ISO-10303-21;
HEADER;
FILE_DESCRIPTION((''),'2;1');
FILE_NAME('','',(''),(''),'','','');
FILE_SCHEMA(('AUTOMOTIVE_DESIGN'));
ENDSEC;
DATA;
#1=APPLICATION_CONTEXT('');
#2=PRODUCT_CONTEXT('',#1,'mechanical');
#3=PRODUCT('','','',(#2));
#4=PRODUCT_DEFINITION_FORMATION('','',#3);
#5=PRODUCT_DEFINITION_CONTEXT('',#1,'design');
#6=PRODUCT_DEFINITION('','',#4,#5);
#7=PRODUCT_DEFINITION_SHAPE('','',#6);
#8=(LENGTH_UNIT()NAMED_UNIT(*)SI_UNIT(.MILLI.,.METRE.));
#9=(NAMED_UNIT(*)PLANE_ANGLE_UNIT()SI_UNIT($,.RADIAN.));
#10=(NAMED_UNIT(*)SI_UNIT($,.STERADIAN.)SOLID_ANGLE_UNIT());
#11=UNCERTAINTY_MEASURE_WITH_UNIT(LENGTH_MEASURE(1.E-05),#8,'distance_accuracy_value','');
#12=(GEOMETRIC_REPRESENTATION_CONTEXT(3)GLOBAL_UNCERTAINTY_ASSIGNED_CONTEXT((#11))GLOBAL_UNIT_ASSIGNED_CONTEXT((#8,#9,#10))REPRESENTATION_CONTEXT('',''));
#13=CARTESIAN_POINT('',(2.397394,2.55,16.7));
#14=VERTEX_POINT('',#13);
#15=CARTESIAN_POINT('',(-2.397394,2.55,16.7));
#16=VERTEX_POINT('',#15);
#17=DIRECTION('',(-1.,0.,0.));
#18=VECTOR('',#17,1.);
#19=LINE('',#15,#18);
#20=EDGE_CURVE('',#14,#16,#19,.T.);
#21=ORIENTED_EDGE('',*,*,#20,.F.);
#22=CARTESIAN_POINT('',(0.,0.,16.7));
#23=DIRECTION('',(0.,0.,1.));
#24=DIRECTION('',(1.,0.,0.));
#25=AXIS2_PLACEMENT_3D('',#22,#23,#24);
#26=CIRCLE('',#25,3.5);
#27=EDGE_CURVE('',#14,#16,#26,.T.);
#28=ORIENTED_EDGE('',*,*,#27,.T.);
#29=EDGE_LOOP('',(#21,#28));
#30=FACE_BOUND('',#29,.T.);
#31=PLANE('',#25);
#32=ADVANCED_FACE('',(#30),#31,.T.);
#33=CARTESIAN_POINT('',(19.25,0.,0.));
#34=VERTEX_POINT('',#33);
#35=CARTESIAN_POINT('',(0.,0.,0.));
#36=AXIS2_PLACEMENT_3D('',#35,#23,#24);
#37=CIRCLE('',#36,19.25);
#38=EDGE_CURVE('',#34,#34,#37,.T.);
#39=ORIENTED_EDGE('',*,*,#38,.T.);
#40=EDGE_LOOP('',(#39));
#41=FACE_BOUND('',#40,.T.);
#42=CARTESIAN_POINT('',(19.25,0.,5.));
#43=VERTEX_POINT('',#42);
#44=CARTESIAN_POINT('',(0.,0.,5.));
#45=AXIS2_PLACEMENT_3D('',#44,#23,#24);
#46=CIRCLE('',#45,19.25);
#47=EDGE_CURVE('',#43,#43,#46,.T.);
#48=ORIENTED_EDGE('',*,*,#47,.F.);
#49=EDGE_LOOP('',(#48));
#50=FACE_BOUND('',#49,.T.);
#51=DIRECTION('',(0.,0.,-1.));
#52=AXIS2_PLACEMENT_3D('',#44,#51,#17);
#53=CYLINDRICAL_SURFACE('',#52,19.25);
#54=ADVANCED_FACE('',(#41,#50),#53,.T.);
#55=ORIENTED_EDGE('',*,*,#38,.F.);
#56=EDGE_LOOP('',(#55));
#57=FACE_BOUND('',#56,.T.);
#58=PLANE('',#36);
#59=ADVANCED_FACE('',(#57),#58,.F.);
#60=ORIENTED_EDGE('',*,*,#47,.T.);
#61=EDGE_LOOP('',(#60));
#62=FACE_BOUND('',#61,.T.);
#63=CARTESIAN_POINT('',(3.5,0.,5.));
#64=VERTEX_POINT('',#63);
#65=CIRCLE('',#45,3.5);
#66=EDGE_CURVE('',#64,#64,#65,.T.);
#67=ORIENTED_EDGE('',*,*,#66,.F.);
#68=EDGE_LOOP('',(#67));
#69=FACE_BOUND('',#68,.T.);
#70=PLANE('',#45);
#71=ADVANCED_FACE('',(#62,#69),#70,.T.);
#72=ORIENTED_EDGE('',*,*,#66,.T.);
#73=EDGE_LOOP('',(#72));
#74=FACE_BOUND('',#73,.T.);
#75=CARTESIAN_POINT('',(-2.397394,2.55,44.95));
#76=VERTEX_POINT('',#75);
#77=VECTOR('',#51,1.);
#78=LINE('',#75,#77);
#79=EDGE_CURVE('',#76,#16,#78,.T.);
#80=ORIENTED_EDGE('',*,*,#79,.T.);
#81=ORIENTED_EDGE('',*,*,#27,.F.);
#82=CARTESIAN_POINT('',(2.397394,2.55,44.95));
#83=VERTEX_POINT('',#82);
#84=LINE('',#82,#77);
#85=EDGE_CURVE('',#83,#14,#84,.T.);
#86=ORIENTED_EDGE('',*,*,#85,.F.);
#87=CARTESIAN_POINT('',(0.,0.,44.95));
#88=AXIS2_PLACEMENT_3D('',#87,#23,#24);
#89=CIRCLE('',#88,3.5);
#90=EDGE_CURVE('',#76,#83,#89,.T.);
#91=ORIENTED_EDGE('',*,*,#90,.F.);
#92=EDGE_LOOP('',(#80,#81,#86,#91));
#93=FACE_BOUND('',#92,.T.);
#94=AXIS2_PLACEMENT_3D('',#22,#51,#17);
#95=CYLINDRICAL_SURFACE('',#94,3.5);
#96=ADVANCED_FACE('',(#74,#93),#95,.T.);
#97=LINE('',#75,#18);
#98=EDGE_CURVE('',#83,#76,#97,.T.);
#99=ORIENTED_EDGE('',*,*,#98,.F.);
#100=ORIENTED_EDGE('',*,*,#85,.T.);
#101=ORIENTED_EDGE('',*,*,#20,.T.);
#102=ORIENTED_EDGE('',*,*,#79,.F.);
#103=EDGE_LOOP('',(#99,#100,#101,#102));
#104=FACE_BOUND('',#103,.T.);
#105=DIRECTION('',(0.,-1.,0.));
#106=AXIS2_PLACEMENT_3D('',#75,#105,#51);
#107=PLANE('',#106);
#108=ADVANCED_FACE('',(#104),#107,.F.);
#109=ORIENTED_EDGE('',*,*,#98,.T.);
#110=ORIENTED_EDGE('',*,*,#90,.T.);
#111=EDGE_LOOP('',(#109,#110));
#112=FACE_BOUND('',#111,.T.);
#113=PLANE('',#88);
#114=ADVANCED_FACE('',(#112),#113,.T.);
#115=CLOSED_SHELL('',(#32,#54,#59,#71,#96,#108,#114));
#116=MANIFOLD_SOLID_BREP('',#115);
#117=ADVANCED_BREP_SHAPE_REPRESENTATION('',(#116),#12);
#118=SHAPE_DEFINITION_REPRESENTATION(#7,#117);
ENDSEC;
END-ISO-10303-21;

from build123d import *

# Parameters (mm, degrees)
CROQUIS1_R              = 19.25
SALIENTE_EXTRUIR1_DEPTH = 5
CROQUIS2_R              = 3.5
SALIENTE_EXTRUIR2_DEPTH = 11.7
SALIENTE_EXTRUIR3_DEPTH = 28.25


with BuildPart() as part:
    # Croquis1 → Saliente-Extruir1 (new body)
    with BuildSketch(Plane.XY):
        Circle(CROQUIS1_R)
    extrude(amount=SALIENTE_EXTRUIR1_DEPTH)

    # Croquis2 → Saliente-Extruir2 (add)
    with BuildSketch(Plane.XY.offset(5)):
        Circle(CROQUIS2_R)
    extrude(amount=SALIENTE_EXTRUIR2_DEPTH)

    # Croquis3 → Saliente-Extruir3 (add)
    with BuildSketch(Plane.XY.offset(16.7)):
        with BuildLine():
            Line((-2.397394419, 2.55), (2.397394419, 2.55))
            ThreePointArc((2.397394419, 2.55), (0, -3.5), (-2.397394419, 2.55))
        make_face()
    extrude(amount=SALIENTE_EXTRUIR3_DEPTH)


solid = part.part
